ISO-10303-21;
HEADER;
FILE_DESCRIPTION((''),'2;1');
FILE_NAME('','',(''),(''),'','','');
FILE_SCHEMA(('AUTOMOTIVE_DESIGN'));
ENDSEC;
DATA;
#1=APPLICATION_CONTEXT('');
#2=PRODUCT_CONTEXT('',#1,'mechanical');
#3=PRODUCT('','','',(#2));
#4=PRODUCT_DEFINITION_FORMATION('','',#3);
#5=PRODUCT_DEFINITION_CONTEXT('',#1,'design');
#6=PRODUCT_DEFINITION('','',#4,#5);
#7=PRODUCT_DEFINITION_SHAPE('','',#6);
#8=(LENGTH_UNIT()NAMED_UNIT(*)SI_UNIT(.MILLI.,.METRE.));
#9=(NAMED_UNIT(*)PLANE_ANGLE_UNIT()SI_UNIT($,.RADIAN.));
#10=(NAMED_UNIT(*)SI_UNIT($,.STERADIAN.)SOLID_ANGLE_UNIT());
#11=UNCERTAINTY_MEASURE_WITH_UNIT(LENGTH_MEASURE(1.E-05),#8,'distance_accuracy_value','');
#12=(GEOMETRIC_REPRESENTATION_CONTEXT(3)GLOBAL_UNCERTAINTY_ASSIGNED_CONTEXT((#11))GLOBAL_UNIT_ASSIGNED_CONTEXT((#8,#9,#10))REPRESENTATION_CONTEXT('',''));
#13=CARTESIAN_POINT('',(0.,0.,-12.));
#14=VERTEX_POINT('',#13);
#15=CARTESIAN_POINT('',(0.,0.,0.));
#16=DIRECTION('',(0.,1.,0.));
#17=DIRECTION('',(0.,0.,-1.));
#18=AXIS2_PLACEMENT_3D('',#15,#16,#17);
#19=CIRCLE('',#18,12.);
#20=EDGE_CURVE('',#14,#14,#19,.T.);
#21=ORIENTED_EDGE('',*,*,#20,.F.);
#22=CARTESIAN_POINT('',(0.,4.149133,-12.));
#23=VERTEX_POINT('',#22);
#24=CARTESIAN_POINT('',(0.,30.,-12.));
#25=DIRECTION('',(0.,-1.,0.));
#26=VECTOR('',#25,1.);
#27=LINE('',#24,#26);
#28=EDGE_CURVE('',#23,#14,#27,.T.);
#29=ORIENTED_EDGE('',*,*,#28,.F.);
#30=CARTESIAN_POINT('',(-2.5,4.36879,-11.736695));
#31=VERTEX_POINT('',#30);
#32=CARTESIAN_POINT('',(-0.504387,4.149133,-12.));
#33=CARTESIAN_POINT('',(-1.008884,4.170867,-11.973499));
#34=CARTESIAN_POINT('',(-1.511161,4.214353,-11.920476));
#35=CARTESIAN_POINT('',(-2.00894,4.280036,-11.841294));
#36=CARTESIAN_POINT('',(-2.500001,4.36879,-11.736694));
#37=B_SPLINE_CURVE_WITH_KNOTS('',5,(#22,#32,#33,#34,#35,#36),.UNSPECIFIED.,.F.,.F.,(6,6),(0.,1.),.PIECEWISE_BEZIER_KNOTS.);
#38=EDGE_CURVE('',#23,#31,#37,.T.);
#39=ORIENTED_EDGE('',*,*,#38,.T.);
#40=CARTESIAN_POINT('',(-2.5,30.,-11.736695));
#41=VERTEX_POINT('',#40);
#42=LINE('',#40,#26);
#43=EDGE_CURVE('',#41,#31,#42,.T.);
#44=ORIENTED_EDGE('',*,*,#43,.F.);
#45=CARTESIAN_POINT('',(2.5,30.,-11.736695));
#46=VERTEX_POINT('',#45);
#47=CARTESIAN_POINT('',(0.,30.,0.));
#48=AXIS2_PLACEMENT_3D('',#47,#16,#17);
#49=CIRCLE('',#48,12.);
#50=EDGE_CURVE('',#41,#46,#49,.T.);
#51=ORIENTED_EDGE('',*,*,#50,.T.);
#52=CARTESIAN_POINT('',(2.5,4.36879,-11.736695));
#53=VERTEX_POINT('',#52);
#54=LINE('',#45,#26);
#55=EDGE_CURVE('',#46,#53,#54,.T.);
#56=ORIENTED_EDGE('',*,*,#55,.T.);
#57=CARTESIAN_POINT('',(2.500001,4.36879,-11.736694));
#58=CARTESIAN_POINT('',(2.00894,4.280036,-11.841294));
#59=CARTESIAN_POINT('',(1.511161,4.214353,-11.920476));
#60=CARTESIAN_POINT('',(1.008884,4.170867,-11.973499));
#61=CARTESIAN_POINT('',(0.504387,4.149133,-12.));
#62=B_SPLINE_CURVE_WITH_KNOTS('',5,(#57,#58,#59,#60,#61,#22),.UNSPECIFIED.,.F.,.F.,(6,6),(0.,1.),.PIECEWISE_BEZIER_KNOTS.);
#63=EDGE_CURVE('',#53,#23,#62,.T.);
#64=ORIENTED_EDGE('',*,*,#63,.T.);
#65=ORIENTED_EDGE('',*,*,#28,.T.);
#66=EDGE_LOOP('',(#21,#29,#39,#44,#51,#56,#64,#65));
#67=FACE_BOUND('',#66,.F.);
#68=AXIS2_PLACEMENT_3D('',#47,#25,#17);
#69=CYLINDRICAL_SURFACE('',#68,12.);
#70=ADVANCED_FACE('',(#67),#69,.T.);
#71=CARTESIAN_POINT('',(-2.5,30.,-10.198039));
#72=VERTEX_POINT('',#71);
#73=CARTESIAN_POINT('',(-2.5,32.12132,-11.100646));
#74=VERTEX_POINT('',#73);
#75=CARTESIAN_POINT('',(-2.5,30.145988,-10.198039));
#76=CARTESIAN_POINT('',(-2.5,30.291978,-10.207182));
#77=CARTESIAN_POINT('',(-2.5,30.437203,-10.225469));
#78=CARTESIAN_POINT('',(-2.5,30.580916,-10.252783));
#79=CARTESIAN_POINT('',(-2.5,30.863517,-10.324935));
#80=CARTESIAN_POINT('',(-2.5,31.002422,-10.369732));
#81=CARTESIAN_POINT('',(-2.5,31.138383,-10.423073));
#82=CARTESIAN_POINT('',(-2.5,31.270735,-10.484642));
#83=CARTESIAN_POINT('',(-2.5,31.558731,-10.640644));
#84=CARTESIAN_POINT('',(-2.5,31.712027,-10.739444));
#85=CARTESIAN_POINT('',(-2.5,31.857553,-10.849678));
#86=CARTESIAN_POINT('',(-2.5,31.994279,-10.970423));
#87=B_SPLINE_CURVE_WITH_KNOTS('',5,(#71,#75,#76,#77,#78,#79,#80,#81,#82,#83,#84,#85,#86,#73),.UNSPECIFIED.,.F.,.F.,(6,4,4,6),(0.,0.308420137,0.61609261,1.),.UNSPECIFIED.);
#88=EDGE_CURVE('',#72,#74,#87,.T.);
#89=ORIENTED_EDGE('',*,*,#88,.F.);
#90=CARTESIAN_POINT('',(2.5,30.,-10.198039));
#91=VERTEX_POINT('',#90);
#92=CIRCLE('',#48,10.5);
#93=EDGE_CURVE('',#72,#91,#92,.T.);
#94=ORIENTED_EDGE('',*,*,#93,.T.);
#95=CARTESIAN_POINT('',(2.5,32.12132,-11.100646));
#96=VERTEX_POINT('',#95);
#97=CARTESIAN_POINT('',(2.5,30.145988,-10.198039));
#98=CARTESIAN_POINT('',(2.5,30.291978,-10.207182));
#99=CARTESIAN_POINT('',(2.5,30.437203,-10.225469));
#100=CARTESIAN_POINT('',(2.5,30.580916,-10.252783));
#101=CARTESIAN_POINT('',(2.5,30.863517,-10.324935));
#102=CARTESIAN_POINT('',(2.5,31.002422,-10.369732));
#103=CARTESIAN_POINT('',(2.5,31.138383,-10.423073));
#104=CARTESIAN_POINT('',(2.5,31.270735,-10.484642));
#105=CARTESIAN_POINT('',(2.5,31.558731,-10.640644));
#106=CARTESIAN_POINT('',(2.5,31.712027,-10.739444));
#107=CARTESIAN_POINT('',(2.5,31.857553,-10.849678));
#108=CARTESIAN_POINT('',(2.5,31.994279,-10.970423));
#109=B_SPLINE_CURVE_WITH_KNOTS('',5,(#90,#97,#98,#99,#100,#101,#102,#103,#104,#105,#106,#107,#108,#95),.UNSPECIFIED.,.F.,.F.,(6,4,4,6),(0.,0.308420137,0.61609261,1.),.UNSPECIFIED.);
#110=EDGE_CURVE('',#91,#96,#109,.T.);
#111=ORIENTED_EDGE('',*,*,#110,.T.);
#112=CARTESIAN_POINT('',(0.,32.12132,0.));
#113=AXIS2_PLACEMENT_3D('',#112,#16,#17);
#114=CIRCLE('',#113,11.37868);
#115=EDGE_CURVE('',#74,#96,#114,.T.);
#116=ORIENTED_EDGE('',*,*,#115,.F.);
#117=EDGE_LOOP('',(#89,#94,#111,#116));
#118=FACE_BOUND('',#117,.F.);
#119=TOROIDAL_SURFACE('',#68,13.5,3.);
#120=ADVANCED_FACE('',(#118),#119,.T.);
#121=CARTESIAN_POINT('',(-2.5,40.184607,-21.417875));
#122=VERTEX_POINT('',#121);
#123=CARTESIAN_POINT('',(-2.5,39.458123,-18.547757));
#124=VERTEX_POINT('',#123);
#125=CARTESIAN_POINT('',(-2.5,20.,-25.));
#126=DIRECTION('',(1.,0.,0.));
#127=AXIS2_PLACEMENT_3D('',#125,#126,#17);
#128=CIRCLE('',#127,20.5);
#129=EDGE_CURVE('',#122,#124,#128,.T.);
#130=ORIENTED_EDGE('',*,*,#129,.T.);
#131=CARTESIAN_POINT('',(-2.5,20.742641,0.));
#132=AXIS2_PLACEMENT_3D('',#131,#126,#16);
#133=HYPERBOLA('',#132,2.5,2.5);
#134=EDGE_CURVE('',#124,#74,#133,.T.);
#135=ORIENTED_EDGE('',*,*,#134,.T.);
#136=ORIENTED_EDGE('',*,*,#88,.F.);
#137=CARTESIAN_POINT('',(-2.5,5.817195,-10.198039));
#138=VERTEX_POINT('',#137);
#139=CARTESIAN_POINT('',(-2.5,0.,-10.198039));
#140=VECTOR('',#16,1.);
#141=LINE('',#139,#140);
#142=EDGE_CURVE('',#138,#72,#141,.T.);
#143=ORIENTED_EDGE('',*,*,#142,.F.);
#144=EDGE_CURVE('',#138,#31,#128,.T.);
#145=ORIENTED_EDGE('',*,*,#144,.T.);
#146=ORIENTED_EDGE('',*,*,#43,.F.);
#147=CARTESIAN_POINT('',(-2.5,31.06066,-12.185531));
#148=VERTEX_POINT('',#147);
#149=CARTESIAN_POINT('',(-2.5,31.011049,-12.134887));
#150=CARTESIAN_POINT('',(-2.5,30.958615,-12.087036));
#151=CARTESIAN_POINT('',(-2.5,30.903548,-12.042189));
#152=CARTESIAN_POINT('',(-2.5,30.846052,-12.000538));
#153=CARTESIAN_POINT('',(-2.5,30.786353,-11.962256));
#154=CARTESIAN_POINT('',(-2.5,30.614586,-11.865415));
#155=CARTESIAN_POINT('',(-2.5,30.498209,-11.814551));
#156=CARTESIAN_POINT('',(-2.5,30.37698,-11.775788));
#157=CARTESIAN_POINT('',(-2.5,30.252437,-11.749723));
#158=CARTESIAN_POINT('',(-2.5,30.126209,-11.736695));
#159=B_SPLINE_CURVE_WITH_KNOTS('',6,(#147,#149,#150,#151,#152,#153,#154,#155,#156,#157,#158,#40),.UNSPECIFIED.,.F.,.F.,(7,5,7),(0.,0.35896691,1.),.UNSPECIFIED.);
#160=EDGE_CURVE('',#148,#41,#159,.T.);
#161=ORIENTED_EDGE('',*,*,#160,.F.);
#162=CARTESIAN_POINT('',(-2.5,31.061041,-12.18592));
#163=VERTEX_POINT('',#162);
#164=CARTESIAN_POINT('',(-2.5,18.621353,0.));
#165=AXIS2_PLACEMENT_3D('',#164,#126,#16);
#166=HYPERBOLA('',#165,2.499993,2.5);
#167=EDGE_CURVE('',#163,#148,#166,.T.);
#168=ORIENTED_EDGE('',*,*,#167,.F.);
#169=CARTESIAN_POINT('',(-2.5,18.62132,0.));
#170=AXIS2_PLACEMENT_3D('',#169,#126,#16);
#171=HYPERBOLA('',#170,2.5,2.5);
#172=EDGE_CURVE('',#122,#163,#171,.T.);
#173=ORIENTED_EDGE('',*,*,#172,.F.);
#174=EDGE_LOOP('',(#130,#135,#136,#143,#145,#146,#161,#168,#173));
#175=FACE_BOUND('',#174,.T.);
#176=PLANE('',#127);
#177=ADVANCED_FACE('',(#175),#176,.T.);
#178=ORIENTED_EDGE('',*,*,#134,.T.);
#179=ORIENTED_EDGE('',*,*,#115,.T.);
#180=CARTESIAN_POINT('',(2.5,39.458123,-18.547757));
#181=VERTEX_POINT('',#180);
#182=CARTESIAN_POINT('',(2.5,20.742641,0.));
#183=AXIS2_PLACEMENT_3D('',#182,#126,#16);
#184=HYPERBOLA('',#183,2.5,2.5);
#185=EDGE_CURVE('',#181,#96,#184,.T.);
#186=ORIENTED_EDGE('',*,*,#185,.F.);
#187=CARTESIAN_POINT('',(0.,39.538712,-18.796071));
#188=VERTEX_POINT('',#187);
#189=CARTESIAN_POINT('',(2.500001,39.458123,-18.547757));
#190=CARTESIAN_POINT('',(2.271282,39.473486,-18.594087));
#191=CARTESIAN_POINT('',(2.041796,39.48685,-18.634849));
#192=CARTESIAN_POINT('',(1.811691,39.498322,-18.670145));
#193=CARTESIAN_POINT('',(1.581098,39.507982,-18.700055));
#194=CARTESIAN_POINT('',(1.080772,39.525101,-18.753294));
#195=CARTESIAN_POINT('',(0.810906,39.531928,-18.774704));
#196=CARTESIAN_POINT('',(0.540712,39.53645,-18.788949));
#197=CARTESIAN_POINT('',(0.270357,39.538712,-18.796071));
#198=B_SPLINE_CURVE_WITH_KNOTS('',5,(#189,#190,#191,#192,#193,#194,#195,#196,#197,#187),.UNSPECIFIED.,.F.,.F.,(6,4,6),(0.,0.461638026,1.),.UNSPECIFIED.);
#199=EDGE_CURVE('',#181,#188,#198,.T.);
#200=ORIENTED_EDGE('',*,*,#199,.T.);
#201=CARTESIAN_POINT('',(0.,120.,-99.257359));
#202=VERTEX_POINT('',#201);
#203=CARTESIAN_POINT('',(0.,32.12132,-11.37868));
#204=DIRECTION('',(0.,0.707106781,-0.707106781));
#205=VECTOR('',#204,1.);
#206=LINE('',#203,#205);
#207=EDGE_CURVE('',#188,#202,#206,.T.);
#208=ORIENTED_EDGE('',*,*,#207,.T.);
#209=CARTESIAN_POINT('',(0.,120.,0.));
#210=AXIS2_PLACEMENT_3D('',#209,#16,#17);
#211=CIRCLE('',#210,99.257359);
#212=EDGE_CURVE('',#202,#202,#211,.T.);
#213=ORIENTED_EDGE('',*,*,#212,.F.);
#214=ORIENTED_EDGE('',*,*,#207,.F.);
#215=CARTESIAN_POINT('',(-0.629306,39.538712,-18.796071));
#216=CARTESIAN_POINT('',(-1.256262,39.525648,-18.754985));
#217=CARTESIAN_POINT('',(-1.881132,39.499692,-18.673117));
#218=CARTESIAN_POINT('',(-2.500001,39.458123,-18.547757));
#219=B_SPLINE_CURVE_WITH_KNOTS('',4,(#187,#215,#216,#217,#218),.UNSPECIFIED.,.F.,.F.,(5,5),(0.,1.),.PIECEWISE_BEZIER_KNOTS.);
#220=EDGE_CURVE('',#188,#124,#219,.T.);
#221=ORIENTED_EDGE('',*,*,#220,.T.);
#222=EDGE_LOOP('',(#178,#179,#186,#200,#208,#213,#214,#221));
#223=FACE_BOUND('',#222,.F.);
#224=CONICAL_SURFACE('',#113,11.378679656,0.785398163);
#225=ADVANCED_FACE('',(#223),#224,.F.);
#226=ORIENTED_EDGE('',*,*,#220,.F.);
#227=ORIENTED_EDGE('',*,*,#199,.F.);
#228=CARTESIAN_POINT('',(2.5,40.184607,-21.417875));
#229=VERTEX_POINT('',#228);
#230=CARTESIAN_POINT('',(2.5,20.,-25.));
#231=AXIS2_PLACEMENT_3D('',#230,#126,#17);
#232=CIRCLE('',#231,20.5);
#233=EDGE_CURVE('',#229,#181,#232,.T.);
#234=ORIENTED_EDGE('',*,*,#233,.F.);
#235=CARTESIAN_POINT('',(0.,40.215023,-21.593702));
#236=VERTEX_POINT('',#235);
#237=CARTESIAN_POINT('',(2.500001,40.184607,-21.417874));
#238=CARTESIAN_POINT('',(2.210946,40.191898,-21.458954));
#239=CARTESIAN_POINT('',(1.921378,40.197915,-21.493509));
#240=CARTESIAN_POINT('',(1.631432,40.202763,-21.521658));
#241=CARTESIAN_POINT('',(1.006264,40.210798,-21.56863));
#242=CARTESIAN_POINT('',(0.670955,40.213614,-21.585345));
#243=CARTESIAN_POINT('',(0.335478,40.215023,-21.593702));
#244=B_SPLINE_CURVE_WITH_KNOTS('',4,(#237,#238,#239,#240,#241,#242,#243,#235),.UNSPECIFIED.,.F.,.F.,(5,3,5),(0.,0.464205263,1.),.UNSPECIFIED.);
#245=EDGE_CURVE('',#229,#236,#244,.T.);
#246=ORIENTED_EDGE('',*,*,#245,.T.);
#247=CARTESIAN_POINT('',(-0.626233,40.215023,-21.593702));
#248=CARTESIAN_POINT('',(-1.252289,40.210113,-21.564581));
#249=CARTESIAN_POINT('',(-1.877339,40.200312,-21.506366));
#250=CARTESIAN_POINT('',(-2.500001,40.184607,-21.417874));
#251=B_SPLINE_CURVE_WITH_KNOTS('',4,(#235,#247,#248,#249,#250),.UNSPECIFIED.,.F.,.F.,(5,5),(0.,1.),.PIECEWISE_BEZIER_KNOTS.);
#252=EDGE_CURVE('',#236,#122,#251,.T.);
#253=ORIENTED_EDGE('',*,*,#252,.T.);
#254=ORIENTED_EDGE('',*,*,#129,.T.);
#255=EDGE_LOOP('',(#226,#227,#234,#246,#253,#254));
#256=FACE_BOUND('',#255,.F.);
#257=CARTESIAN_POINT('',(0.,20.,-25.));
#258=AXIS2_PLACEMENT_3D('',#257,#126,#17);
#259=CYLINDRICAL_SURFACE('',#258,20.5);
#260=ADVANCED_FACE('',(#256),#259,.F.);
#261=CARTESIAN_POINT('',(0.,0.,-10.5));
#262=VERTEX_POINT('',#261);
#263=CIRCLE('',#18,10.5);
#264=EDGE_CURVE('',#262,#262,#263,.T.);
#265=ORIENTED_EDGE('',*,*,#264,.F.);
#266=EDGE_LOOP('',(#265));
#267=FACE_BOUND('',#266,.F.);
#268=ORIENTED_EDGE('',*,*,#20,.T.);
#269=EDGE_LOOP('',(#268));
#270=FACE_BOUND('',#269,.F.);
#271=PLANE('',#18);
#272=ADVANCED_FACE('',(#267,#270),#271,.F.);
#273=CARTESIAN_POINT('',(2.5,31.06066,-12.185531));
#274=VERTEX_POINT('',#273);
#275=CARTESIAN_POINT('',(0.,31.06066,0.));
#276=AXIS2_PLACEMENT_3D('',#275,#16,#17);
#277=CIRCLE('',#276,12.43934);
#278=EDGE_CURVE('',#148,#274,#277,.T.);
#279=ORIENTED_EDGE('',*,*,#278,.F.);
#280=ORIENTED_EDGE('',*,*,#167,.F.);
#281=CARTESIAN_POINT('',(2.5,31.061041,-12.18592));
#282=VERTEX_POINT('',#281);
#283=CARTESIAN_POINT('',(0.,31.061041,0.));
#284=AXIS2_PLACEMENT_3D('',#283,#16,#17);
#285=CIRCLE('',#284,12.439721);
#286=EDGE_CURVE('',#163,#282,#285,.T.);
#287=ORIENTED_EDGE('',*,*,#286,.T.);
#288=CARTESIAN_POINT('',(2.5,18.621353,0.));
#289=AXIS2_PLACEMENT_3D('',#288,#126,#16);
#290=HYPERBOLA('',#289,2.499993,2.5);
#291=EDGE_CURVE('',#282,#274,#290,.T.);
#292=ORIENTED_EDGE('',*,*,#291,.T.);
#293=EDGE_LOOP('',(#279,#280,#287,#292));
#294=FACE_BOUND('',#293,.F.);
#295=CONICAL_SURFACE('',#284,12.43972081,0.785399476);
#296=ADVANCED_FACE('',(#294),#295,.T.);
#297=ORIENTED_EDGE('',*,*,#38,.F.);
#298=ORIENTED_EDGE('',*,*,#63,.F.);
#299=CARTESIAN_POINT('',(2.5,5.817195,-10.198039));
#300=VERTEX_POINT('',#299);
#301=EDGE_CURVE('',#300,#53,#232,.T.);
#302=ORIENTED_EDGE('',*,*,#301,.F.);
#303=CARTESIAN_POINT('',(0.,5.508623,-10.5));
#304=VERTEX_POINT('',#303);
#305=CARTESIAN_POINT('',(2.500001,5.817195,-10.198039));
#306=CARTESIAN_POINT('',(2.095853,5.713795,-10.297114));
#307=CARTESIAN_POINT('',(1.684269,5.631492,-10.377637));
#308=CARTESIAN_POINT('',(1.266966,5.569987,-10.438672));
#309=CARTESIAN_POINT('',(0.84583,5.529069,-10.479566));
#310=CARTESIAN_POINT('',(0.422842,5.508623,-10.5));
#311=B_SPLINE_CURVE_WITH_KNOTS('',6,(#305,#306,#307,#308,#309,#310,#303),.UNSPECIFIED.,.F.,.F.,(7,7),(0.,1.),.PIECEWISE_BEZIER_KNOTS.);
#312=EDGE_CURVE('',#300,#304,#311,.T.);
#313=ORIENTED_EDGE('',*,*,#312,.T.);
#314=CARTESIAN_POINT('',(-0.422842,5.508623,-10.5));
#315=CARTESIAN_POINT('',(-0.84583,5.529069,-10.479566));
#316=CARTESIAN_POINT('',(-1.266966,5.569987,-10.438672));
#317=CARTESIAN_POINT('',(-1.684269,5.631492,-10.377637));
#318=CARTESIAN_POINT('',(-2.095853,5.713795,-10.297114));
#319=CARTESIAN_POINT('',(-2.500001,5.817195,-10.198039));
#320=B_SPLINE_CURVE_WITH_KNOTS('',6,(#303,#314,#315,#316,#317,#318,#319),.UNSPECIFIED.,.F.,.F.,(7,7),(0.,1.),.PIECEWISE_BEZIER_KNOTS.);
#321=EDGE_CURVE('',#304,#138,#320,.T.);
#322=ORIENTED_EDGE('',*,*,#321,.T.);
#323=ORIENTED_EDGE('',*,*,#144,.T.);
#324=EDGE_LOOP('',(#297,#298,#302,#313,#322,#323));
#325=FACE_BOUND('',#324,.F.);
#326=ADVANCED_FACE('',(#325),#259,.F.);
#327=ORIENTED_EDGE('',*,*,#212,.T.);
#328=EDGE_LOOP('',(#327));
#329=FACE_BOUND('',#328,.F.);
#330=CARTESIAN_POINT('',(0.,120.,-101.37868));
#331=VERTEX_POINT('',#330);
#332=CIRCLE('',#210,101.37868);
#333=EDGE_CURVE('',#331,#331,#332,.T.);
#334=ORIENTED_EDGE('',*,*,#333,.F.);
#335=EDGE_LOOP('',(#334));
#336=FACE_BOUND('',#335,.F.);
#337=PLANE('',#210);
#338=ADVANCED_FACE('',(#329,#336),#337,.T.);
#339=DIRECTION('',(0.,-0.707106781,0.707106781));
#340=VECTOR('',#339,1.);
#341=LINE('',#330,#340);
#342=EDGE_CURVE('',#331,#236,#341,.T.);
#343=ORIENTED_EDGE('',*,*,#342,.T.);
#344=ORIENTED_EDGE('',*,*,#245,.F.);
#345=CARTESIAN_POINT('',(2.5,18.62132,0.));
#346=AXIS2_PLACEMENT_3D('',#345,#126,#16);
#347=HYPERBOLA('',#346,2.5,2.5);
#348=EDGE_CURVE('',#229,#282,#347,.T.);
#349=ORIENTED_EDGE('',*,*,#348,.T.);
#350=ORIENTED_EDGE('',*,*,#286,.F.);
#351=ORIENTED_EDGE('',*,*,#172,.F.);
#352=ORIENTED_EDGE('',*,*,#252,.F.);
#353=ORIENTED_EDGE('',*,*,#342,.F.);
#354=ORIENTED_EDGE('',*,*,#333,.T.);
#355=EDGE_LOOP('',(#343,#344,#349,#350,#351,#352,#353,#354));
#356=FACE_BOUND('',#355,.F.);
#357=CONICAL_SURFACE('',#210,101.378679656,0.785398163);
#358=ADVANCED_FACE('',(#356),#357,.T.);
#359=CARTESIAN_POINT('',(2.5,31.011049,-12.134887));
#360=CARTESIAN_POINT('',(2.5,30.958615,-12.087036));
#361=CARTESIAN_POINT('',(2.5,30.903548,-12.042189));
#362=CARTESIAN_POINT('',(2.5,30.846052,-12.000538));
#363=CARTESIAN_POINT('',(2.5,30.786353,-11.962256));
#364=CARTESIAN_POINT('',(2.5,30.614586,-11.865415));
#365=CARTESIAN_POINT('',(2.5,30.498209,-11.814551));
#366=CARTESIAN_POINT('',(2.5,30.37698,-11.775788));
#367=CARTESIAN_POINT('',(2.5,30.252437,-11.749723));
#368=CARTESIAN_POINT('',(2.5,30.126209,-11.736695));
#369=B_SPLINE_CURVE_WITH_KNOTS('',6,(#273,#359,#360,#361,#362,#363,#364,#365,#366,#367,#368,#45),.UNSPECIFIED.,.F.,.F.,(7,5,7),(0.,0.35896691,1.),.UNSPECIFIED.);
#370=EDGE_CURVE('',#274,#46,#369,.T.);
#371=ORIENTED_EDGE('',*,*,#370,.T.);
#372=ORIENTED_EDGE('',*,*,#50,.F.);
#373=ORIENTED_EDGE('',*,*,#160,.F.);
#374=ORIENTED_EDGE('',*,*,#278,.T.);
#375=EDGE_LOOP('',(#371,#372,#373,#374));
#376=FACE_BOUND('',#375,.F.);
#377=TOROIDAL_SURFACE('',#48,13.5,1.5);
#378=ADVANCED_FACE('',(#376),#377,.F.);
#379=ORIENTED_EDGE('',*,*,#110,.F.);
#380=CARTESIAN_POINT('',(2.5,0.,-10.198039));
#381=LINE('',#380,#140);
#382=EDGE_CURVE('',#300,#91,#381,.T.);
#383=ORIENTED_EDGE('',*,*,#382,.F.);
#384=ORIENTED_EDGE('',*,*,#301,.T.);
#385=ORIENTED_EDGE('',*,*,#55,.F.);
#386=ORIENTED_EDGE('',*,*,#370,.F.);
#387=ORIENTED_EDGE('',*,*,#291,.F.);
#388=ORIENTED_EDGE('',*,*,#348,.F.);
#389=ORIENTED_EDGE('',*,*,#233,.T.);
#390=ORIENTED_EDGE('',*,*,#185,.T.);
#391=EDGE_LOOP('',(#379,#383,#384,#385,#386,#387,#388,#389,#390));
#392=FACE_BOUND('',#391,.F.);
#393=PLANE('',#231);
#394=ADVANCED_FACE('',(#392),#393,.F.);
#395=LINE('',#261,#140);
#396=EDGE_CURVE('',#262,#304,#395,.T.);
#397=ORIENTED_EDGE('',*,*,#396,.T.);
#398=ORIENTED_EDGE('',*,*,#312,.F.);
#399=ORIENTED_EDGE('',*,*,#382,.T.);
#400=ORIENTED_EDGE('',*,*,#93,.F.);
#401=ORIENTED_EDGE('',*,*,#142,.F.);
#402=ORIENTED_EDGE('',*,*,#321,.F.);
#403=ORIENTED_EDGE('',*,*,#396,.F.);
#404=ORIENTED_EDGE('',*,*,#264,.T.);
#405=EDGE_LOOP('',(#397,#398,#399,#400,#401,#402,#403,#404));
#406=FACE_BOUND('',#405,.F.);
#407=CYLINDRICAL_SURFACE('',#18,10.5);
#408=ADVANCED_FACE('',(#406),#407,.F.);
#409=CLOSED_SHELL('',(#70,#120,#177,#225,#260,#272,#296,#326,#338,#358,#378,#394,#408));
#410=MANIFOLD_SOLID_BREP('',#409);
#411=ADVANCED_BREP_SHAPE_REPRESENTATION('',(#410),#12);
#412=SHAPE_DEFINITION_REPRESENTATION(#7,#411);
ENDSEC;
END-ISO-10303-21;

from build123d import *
from build123d.topology import SkipClean

# Parameters (mm, degrees)
SKETCH3_R          = 20.5
CUT_EXTRUDE1_DEPTH = 2.5


with BuildPart() as part:
    # Sketch2 → Revolve1 (revolve)
    with BuildSketch(Plane.XY, mode=Mode.PRIVATE) as revolve1_sk:
        with BuildLine():
            Line((-12, 0), (-10.5, 0))
            Line((-10.5, 0), (-10.5, 30))
            ThreePointArc((-10.5, 30), (-10.728361402, 31.148050297), (-11.378679656, 32.121320344))
            Line((-11.378679656, 32.121320344), (-99.257359313, 120))
            Line((-99.257359313, 120), (-101.378679656, 120))
            Line((-101.378679656, 120), (-12.43972081, 31.061041153))
            Line((-12.43972081, 31.061041153), (-12.439339828, 31.060660172))
            ThreePointArc((-12.439339828, 31.060660172), (-12.114180701, 30.574025149), (-12, 30))
            Line((-12, 30), (-12, 0))
        make_face()
    revolve(revolve1_sk.sketch.rotate(Axis((0, 0, 0), (0, 1, 0)), 270), axis=Axis((0, 0, 0), (0, 1, 0)))

    # Sketch3 → Cut-Extrude1 (cut, symmetric)
    with SkipClean():  # the faces are left unmerged after this step: merging them gives an invalid solid
        with BuildSketch(Plane(origin=(0, 0, 0), x_dir=(0, 0, -1), z_dir=(1, 0, 0))):
            with Locations((25, 20)):
                Circle(SKETCH3_R)
        extrude(amount=CUT_EXTRUDE1_DEPTH, both=True, mode=Mode.SUBTRACT)


solid = part.part
